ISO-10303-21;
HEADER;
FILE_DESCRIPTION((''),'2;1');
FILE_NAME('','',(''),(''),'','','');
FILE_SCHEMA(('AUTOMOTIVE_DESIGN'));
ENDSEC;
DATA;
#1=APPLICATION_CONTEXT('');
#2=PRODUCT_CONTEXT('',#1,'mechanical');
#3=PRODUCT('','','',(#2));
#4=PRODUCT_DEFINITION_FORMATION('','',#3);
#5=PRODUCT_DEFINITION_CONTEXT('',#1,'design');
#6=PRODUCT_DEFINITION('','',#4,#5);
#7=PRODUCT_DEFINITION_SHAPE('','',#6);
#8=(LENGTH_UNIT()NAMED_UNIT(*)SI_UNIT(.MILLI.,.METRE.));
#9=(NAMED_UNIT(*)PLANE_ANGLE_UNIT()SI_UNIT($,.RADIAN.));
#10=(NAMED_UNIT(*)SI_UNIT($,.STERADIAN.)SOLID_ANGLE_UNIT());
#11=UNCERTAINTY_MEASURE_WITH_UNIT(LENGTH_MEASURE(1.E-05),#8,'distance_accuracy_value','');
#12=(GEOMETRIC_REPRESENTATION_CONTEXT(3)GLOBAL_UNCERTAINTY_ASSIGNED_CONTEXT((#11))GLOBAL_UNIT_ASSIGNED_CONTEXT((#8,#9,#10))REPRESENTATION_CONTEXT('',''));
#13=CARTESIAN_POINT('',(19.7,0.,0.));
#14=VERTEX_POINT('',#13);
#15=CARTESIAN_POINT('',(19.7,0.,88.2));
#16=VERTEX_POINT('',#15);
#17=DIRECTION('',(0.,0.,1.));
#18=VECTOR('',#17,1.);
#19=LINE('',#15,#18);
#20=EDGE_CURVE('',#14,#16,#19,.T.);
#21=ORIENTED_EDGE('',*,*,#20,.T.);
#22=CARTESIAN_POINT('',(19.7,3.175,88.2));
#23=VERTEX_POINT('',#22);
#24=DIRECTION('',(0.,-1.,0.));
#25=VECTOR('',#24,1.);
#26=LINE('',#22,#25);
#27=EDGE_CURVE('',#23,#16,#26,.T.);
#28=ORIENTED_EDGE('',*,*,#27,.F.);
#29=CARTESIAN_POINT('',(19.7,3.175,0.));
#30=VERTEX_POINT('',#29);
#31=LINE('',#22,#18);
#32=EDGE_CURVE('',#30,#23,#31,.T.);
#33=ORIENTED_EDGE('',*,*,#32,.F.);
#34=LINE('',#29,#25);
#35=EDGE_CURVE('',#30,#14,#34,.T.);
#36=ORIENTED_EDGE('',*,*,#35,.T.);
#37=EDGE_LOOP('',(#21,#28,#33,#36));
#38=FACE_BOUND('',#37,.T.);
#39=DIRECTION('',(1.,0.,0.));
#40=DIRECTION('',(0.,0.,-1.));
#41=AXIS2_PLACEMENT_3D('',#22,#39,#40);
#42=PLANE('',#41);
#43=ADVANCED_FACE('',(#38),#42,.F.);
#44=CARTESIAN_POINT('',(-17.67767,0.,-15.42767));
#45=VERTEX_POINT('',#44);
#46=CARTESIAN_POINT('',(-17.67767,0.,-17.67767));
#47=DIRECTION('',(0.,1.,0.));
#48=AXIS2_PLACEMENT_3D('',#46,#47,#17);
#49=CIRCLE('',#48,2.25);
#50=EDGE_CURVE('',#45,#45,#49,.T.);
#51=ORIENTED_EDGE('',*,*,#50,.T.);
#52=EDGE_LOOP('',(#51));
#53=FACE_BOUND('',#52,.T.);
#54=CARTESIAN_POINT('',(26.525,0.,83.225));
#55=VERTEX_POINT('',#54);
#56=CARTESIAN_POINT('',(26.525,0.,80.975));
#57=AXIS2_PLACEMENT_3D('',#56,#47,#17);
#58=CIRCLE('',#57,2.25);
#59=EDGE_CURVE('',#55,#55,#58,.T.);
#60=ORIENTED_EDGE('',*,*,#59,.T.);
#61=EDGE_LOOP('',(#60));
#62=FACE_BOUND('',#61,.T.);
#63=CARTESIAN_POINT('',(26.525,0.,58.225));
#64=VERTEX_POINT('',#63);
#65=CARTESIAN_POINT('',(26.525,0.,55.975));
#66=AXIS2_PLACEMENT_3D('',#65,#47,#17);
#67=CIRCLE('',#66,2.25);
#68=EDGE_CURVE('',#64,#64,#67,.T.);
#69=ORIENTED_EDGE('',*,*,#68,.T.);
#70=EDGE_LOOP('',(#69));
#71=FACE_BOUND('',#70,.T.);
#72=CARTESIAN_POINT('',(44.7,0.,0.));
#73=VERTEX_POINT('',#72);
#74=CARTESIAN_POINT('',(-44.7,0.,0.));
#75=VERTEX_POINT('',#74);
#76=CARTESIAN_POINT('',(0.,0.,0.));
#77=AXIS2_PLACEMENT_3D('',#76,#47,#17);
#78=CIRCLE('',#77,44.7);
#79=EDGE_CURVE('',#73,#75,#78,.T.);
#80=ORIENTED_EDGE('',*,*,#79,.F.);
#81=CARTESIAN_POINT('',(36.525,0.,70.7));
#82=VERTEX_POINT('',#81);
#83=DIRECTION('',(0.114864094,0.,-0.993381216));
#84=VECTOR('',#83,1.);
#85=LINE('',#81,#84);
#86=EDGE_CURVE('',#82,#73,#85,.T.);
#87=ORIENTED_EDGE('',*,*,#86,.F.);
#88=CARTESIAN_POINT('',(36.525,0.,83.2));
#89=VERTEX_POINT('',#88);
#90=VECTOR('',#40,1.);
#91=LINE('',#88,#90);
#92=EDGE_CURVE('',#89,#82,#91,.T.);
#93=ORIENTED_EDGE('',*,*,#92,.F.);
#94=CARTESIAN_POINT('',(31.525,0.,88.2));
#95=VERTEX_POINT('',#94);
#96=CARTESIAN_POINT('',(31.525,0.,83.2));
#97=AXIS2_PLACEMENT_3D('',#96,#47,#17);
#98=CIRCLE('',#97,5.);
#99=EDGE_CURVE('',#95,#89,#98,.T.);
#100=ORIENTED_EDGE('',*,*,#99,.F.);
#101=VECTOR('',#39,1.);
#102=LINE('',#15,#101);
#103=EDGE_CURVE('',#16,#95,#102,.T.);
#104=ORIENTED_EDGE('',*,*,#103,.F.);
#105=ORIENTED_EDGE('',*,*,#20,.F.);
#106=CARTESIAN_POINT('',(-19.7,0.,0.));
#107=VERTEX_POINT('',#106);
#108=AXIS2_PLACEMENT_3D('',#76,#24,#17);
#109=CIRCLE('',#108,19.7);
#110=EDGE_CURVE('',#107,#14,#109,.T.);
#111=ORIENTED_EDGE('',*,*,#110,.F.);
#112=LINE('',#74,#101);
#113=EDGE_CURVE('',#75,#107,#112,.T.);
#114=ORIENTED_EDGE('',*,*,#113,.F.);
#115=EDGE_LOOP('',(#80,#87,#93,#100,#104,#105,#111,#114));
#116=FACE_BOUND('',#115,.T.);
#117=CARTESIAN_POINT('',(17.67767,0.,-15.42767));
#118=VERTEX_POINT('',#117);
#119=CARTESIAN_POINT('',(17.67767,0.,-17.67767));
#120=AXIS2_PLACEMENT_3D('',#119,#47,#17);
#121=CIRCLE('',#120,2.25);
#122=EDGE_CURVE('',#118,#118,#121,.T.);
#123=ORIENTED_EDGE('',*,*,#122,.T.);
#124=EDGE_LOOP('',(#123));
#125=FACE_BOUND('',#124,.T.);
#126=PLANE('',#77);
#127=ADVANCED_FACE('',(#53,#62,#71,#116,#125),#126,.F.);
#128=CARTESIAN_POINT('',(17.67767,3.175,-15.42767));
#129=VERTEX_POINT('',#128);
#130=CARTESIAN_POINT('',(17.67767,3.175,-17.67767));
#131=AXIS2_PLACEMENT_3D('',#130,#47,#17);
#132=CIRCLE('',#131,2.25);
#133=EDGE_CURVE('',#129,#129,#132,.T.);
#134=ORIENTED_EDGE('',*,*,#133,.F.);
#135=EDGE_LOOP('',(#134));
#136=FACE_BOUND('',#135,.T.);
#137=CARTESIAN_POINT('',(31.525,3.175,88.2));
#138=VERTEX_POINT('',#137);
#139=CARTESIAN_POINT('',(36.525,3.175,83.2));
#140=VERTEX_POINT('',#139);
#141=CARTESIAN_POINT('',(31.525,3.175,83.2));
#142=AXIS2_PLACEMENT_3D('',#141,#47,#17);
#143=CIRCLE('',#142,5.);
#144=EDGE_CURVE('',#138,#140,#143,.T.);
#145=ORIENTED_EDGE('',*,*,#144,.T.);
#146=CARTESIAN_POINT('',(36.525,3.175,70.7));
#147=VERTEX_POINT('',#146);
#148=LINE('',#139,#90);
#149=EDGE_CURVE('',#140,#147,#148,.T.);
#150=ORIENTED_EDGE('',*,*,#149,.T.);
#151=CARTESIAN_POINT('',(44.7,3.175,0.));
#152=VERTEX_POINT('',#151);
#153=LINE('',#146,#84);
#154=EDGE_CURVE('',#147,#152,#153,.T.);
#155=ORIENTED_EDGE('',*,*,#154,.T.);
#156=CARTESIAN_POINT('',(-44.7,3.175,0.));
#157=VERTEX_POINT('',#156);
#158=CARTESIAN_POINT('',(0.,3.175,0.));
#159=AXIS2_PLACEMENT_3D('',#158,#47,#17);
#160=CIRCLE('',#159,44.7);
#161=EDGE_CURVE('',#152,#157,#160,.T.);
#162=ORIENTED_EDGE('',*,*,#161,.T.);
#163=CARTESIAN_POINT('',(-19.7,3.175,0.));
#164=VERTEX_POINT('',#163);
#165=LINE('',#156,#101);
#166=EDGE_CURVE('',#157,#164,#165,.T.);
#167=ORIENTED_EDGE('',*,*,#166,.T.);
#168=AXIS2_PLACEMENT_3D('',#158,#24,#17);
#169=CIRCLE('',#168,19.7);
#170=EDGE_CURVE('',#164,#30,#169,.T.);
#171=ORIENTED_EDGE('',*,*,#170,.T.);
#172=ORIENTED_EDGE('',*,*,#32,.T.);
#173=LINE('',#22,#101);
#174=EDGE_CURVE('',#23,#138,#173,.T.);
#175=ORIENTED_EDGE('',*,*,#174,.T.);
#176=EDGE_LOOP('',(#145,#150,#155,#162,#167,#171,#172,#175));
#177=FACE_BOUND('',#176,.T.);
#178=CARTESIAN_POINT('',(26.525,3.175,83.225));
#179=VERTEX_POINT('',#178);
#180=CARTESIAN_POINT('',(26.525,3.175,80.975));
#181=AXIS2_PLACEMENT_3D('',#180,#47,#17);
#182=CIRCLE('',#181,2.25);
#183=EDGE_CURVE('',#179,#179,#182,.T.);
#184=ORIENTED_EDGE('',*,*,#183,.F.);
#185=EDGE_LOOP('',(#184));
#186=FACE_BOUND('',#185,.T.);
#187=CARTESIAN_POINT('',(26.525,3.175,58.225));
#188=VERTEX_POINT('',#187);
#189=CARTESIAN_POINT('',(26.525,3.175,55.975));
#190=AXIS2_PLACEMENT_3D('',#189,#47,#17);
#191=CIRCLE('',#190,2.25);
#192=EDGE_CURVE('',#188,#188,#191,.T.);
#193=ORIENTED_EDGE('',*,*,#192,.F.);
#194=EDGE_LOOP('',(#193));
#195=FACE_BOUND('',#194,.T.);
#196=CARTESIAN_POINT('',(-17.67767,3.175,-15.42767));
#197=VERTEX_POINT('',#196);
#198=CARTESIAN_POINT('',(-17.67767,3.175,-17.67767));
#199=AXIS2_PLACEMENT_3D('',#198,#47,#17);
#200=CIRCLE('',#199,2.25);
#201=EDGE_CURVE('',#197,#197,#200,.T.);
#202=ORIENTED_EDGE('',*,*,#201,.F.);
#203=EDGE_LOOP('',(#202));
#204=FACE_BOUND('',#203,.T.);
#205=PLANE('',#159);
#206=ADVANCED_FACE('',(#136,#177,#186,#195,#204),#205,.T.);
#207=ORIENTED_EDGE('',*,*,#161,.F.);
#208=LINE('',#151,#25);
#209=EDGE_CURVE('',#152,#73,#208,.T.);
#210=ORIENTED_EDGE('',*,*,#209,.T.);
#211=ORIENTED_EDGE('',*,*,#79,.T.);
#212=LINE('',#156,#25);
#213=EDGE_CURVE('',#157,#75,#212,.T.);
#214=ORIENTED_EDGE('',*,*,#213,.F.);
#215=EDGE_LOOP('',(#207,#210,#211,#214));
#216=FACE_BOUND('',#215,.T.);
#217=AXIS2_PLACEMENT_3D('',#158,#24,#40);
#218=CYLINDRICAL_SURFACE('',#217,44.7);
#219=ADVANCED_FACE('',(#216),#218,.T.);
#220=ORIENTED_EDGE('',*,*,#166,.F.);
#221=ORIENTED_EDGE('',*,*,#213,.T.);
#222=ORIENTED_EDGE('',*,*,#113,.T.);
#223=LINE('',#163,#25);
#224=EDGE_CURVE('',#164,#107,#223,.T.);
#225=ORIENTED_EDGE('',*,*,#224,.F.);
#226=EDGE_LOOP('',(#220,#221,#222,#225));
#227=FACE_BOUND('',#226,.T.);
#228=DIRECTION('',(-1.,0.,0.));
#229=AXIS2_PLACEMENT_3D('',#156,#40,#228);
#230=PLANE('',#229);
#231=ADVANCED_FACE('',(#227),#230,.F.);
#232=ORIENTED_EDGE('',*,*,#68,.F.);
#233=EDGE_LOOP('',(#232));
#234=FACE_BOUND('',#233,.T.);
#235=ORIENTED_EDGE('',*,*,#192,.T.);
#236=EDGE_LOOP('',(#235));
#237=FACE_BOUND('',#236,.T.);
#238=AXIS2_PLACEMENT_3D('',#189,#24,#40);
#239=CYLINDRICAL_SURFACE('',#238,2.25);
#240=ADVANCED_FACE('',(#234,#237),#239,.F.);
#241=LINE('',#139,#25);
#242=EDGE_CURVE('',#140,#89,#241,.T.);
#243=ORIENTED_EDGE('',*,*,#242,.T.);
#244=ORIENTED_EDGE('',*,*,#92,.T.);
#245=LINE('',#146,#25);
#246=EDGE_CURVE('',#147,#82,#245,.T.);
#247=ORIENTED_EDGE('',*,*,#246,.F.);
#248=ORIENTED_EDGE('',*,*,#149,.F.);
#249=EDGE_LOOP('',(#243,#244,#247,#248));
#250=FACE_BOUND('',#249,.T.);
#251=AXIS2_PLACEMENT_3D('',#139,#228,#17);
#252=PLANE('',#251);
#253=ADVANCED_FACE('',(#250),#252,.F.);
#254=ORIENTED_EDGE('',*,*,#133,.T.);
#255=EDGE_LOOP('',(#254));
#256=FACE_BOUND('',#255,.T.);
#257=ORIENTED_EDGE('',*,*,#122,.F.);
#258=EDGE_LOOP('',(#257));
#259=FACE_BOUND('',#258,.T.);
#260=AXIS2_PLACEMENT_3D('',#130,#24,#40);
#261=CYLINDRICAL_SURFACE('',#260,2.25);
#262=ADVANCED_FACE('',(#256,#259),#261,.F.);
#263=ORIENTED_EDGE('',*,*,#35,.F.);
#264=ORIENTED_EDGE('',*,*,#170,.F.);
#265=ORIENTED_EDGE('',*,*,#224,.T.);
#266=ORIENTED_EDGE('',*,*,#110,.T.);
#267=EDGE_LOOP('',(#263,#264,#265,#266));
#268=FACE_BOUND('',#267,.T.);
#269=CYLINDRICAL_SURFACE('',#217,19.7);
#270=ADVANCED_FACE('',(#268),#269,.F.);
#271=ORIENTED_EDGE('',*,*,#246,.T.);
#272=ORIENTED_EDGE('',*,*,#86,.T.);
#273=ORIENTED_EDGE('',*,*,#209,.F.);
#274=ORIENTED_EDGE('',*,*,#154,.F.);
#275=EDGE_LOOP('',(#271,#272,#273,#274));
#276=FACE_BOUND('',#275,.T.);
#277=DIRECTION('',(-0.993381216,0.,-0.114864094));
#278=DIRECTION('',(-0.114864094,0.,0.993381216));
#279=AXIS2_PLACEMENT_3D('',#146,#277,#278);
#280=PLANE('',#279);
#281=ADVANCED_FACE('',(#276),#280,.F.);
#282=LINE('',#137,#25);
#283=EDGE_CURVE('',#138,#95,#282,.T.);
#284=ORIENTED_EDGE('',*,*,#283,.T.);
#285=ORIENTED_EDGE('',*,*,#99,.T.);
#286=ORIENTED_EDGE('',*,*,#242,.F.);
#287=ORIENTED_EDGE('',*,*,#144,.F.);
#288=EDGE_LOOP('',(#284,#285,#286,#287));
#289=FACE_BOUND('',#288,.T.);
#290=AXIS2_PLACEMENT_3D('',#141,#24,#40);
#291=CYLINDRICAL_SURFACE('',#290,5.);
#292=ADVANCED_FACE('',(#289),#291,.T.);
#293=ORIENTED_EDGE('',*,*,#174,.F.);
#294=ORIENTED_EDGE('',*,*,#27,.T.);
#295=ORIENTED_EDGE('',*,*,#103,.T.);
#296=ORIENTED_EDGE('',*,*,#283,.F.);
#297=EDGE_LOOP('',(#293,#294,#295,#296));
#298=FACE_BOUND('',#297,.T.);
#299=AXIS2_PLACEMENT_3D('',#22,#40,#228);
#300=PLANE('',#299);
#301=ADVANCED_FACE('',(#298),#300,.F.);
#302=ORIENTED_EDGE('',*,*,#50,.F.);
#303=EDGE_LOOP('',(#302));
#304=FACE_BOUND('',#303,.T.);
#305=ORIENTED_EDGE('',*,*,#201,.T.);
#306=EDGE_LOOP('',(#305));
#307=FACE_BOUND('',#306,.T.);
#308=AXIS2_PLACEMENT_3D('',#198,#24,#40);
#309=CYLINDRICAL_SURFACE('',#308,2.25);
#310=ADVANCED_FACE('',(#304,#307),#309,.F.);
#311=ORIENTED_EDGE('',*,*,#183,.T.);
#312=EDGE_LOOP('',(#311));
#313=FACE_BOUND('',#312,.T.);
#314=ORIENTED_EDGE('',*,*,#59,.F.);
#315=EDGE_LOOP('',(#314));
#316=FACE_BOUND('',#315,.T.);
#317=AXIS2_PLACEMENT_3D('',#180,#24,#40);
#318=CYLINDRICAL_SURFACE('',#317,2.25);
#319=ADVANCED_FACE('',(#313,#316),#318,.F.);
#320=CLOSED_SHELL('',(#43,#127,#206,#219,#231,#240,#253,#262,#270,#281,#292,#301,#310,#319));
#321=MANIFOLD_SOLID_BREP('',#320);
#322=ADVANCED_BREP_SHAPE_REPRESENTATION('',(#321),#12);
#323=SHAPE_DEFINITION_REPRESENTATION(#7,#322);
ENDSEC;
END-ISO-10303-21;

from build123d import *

# Parameters (mm, degrees)
SKETCH2_R           = 2.25
BOSS_EXTRUDE1_DEPTH = 3.175


with BuildPart() as part:
    # Sketch2 → Boss-Extrude1 (new body)
    with BuildSketch(Plane(origin=(0, 0, 0), x_dir=(1, 0, 0), z_dir=(0, 1, 0))):
        with BuildLine():
            Line((19.7, -88.2), (31.525, -88.2))
            ThreePointArc((31.525, -88.2), (35.060533906, -86.735533906), (36.525, -83.2))
            Line((36.525, -83.2), (36.525, -70.7))
            Line((36.525, -70.7), (44.7, 0))
            ThreePointArc((44.7, 0), (0, 44.7), (-44.7, 0))
            Line((-44.7, 0), (-19.7, 0))
            ThreePointArc((-19.7, 0), (0, 19.7), (19.7, 0))
            Line((19.7, 0), (19.7, -88.2))
        make_face()
        with Locations((26.525, -80.975)):
            Circle(SKETCH2_R, mode=Mode.SUBTRACT)
        with Locations((26.525, -55.975)):
            Circle(SKETCH2_R, mode=Mode.SUBTRACT)
        with Locations((-17.67766953, 17.67766953)):
            Circle(SKETCH2_R, mode=Mode.SUBTRACT)
        with Locations((17.67766953, 17.67766953)):
            Circle(SKETCH2_R, mode=Mode.SUBTRACT)
    extrude(amount=BOSS_EXTRUDE1_DEPTH)


solid = part.part
